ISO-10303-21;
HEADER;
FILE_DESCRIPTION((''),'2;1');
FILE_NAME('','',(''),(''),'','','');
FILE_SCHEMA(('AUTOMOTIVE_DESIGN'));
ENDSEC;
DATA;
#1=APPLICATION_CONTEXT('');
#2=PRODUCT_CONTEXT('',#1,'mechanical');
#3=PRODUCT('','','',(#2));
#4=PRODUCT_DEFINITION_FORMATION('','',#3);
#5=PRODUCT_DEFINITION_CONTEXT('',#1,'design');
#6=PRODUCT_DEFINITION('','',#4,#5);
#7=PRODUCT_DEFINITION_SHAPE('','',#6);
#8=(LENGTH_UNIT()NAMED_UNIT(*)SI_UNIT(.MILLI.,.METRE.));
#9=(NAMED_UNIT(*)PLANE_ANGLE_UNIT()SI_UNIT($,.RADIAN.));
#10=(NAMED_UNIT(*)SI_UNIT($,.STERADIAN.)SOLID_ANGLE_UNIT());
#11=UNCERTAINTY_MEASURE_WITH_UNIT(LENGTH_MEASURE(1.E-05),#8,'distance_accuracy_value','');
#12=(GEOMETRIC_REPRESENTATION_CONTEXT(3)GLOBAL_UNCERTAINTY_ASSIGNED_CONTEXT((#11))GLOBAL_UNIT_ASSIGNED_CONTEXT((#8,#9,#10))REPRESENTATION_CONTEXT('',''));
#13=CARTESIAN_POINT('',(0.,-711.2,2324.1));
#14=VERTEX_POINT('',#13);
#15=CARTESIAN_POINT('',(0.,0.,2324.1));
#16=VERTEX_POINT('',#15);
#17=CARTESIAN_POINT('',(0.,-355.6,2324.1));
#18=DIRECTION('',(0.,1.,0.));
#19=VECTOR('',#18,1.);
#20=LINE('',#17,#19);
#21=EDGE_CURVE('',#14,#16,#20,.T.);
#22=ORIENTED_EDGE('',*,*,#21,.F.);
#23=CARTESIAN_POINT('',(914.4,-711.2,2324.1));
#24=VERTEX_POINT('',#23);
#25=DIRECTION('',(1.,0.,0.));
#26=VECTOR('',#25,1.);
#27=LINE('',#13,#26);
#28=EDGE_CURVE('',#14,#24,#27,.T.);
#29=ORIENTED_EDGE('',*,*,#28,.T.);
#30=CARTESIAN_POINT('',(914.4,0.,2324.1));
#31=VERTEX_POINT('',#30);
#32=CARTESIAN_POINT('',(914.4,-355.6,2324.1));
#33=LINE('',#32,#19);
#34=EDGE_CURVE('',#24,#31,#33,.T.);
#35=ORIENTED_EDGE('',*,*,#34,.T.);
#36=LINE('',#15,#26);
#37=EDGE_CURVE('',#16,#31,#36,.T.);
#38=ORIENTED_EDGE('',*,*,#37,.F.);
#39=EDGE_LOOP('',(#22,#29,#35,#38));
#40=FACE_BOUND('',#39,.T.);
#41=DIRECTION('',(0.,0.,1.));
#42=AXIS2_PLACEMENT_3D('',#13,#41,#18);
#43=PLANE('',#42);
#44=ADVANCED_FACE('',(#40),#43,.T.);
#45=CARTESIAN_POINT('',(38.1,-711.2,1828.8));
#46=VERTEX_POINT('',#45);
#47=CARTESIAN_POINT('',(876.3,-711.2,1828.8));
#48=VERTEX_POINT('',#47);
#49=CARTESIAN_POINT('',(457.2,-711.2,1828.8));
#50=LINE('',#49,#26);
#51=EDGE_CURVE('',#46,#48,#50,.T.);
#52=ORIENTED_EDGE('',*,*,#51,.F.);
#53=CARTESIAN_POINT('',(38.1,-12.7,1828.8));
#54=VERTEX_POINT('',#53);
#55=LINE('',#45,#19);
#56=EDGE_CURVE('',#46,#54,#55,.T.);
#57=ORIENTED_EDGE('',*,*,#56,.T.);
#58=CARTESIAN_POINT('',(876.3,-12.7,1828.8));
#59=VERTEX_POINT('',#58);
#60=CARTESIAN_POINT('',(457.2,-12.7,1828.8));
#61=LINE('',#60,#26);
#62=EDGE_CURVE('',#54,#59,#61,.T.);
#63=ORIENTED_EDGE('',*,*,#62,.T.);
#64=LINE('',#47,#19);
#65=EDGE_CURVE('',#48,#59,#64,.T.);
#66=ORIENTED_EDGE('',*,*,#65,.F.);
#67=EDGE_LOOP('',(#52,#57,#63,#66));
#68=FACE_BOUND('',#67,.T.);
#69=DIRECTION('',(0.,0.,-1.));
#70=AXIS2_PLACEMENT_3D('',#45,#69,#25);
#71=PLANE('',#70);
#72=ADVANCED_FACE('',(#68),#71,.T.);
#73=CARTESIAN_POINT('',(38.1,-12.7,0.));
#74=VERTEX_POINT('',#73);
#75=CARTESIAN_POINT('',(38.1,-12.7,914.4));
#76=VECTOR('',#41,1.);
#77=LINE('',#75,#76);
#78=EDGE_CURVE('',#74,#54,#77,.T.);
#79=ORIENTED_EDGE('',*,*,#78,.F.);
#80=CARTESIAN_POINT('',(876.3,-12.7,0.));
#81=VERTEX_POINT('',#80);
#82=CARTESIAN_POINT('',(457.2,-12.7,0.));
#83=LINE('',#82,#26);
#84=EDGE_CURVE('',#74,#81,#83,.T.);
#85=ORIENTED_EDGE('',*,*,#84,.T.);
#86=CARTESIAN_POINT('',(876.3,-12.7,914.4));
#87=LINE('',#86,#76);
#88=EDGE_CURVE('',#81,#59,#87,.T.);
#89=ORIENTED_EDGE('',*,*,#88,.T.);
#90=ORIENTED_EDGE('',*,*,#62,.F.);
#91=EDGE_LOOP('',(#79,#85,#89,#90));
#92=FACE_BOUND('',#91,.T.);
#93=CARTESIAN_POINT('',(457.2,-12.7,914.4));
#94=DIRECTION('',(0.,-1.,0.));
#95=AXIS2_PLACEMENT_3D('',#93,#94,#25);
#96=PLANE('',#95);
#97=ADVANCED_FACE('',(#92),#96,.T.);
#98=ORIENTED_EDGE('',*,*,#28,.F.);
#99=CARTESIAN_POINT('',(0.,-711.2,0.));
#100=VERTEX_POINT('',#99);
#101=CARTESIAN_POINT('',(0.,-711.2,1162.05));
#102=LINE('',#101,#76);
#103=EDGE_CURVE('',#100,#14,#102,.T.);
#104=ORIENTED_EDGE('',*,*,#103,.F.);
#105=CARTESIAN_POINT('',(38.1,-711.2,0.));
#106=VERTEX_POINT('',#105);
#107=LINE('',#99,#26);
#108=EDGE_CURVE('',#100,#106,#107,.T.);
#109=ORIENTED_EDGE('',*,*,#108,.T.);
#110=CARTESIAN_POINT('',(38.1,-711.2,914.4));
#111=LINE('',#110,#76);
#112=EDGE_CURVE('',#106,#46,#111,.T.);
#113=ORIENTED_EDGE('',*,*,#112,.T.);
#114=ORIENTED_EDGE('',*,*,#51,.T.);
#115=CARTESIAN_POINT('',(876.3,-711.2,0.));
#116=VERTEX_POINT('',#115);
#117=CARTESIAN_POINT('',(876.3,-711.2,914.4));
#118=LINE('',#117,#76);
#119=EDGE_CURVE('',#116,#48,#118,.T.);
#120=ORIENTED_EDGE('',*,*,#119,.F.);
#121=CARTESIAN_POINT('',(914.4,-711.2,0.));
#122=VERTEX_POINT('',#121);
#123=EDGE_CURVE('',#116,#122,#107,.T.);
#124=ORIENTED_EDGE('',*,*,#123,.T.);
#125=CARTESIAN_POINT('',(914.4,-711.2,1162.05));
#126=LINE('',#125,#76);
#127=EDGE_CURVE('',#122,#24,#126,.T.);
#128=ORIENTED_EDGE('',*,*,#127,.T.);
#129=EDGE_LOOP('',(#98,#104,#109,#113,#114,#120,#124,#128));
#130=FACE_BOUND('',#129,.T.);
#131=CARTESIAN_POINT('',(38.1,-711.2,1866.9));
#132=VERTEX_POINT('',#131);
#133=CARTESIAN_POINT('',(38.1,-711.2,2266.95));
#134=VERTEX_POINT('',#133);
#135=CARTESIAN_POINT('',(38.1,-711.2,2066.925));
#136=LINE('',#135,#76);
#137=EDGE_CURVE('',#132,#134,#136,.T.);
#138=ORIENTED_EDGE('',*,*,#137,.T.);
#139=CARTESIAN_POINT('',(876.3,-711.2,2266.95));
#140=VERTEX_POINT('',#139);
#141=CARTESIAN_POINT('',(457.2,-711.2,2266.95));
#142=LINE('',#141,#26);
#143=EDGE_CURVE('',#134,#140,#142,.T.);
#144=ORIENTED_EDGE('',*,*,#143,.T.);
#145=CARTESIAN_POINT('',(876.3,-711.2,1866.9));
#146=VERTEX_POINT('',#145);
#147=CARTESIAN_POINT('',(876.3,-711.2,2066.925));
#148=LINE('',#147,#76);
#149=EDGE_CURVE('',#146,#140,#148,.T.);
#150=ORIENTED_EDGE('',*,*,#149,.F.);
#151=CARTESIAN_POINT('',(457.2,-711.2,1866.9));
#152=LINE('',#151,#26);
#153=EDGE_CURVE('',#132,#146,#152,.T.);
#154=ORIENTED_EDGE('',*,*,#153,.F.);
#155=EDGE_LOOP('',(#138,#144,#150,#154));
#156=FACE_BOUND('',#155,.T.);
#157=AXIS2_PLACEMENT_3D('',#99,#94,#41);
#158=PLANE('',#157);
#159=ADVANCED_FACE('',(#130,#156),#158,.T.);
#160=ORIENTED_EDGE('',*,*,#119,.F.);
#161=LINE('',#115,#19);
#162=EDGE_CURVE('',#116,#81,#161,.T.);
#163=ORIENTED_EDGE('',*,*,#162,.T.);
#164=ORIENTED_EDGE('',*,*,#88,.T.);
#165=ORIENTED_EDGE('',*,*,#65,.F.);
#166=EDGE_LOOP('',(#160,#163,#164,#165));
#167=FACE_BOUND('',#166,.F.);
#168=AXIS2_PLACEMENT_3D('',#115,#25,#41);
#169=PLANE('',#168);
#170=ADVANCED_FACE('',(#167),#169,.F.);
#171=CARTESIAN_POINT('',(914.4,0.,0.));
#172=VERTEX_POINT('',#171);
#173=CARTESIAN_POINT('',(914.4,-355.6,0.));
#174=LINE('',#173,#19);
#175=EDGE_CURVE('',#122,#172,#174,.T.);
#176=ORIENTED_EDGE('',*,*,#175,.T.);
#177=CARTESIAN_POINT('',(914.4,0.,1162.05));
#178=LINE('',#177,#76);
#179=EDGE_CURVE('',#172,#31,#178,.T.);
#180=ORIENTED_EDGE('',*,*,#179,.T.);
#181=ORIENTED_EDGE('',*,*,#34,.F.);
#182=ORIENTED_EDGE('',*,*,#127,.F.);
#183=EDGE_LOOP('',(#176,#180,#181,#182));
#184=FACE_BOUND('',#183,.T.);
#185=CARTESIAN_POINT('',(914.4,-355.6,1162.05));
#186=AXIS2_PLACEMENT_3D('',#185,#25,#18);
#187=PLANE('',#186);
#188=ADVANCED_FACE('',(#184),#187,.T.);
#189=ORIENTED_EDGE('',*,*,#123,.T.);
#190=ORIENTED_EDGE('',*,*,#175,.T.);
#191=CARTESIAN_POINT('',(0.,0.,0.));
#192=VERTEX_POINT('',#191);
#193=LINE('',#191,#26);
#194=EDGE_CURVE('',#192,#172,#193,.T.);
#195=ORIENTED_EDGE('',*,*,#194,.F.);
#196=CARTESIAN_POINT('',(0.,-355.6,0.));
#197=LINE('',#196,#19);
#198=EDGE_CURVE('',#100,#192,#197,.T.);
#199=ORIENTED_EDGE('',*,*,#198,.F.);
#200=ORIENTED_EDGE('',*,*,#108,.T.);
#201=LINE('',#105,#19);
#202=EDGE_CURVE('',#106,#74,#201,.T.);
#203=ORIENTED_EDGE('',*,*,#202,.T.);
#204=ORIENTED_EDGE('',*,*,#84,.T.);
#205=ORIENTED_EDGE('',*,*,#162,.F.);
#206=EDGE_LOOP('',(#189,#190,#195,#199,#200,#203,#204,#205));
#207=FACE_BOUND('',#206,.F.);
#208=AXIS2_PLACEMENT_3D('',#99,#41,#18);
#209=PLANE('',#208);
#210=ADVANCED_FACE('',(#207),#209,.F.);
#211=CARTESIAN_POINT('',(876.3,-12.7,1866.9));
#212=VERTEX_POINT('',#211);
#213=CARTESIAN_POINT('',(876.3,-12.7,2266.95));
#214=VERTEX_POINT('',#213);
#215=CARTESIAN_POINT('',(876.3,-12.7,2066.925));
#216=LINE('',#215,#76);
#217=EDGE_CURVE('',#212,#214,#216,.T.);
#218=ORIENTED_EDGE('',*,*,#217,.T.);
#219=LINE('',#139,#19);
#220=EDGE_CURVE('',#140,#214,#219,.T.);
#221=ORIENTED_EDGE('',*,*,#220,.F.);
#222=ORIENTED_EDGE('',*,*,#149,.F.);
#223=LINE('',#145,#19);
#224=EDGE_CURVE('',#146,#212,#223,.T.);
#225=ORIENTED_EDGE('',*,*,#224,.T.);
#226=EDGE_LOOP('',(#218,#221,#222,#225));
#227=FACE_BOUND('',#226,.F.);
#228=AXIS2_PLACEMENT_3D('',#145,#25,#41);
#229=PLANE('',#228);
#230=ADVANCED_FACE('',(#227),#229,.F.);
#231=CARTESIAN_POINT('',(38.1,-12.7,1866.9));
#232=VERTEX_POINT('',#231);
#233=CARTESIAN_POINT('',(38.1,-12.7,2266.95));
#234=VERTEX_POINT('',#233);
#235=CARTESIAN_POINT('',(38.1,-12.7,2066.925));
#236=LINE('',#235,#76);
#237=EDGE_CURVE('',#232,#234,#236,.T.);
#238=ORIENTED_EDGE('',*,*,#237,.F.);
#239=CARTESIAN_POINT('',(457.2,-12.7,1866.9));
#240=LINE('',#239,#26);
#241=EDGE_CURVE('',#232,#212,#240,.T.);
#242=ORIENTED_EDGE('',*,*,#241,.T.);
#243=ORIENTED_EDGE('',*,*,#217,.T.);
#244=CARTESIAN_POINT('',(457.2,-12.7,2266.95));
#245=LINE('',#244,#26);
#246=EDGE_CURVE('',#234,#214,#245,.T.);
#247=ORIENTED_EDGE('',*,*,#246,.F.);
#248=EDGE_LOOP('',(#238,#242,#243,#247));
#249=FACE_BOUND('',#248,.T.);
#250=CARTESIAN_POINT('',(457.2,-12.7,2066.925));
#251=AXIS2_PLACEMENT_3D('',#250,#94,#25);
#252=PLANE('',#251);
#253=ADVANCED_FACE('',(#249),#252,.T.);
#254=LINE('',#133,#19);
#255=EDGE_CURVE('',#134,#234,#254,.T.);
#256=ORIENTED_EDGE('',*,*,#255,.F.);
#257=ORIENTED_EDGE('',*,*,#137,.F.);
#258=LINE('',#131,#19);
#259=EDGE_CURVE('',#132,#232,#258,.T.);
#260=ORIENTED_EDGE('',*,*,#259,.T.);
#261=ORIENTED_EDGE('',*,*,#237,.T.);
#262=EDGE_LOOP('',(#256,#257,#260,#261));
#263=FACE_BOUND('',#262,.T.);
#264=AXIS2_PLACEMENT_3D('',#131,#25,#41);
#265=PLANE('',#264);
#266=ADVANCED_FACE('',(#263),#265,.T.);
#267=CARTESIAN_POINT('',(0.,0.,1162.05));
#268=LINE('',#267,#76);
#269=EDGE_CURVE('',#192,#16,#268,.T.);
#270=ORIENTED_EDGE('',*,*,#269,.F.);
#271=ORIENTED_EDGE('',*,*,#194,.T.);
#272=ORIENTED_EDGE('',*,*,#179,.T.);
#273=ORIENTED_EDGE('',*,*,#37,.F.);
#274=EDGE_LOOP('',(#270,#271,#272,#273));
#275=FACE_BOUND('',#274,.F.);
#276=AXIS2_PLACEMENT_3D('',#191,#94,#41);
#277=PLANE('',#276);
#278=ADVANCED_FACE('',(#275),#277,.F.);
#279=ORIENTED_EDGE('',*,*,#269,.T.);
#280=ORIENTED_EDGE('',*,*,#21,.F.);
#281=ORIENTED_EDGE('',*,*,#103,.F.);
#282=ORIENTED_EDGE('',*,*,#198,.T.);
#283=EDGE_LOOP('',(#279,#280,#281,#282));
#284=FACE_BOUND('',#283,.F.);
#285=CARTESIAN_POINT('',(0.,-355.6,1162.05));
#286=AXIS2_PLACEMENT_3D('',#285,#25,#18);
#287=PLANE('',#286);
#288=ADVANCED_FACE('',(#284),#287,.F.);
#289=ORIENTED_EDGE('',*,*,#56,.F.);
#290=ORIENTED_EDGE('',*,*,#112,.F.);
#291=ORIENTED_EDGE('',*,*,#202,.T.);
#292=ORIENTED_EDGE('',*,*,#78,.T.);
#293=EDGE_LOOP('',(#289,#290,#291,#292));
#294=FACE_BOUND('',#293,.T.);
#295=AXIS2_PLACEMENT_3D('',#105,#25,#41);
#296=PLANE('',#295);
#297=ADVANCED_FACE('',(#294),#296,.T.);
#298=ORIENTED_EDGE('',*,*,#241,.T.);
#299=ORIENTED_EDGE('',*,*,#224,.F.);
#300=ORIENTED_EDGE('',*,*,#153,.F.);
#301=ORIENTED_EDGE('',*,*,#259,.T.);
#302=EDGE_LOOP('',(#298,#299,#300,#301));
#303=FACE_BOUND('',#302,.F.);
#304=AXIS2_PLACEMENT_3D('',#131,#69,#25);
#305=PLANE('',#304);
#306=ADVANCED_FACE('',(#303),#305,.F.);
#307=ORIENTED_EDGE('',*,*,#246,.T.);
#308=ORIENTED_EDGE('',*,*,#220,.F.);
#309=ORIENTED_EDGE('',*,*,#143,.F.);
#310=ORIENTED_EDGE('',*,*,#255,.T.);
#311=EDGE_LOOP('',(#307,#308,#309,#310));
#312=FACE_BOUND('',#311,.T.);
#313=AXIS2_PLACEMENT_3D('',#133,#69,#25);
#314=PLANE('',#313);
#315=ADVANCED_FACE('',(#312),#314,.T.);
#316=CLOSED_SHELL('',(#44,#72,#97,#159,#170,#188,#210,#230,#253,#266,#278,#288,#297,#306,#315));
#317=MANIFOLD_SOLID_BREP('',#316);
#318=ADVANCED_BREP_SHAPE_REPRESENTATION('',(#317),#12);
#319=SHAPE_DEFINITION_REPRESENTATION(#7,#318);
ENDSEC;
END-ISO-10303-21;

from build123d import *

# Parameters (mm, degrees)
F0_W     = 711.2
F0_H     = 2324.1
F1_DEPTH = 914.4
F2_W     = 838.2
F2_H     = 1828.8
F2_H_2   = 400.05
F3_DEPTH = 698.5


with BuildPart() as f1:
    # F0 (on Right) → F1 (new body)
    with BuildSketch(Plane.YZ):
        with Locations((-355.6, 1162.05)):
            Rectangle(F0_W, F0_H)
    extrude(amount=F1_DEPTH)

    # F2 (on face) → F3 (cut)
    with BuildSketch(Plane.XZ.offset(711.2)):
        with Locations((457.2, 914.4)):
            Rectangle(F2_W, F2_H)
        with Locations((457.2, 2066.925)):
            Rectangle(F2_W, F2_H_2)
    extrude(amount=-F3_DEPTH, mode=Mode.SUBTRACT)


solid = f1.part
